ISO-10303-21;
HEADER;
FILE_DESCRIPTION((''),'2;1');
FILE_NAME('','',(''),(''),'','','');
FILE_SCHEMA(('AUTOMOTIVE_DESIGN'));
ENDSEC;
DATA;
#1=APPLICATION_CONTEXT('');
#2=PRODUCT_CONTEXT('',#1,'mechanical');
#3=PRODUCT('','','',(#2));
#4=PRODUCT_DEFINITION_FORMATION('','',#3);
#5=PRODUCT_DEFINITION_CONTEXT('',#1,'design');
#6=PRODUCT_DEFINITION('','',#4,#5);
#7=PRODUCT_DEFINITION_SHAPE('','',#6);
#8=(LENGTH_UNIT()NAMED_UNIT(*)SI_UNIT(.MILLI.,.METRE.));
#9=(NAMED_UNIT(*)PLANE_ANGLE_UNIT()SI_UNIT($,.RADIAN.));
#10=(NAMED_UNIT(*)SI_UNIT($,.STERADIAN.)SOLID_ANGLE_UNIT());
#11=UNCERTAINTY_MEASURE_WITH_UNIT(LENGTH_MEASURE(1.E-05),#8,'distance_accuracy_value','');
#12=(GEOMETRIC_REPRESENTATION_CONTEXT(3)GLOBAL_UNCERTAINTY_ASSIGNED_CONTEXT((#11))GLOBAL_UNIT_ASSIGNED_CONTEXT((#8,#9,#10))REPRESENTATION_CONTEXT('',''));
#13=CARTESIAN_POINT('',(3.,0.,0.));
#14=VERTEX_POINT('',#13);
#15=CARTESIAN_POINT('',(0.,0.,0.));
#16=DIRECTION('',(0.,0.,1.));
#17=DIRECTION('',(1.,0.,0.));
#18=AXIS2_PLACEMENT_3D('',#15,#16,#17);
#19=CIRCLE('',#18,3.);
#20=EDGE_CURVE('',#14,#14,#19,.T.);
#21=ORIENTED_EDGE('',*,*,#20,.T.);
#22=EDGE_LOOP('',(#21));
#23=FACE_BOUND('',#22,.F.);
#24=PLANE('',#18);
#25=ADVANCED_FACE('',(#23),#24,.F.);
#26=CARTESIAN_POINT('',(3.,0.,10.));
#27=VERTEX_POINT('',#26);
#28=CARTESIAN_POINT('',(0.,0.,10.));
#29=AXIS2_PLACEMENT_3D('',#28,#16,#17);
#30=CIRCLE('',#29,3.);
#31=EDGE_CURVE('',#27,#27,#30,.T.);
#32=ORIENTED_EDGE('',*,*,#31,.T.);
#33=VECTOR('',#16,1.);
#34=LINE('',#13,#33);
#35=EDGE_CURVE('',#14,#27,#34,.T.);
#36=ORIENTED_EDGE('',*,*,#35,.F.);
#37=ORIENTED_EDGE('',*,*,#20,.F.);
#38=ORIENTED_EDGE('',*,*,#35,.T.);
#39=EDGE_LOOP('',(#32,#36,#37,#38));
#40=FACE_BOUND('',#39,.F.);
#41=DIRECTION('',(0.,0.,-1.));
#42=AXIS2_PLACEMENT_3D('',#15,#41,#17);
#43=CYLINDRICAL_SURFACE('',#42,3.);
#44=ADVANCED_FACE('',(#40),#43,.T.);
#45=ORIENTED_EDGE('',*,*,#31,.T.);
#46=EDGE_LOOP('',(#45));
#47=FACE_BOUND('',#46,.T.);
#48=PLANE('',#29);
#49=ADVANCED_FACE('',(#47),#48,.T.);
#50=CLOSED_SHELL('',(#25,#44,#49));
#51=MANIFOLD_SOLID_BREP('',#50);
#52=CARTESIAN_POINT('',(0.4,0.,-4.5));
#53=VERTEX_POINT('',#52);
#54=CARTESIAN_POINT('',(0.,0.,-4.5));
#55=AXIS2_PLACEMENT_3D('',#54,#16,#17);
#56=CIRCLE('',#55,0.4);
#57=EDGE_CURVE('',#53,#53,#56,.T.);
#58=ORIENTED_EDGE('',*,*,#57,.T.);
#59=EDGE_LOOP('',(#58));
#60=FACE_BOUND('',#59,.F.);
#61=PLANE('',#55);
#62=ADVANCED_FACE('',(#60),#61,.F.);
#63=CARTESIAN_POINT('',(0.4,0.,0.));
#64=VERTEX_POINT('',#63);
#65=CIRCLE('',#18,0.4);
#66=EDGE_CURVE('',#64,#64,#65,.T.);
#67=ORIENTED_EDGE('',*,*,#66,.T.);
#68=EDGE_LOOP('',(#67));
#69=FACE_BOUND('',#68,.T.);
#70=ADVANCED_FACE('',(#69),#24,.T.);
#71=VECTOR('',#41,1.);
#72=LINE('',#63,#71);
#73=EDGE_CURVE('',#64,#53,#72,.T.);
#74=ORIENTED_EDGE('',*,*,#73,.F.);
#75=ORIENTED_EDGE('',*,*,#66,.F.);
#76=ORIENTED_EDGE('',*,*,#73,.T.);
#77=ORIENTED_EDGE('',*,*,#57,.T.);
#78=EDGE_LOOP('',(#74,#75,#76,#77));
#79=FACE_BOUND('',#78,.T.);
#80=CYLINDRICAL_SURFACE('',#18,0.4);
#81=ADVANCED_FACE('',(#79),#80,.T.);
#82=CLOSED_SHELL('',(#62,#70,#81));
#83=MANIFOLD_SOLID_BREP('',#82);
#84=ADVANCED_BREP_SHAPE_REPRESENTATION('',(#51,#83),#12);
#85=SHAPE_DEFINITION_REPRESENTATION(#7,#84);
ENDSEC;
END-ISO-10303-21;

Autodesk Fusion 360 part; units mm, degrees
sketch "スケッチ1" plane through (0, 0, 0) normal (0, 0, 1) x (1, 0, 0)
  circle A0 centre (0, 0) radius 3
  circle A1 centre (0, 0) radius 0.4
  dimension "d1" = 6
  dimension "d7" = 0.8
extrude "押し出し1" add sketch "スケッチ1" along normal blind 10 contours A0 | A1 makes body 1
extrude "押し出し1'" add sketch "スケッチ1" against normal blind 4.5 separate body contours A1 makes body 2 in component "Component'"
component "Component'" placed x (1, 0, 0) y (0, 1, 0) z (0, 0, 1) at (0, 0, 0)
